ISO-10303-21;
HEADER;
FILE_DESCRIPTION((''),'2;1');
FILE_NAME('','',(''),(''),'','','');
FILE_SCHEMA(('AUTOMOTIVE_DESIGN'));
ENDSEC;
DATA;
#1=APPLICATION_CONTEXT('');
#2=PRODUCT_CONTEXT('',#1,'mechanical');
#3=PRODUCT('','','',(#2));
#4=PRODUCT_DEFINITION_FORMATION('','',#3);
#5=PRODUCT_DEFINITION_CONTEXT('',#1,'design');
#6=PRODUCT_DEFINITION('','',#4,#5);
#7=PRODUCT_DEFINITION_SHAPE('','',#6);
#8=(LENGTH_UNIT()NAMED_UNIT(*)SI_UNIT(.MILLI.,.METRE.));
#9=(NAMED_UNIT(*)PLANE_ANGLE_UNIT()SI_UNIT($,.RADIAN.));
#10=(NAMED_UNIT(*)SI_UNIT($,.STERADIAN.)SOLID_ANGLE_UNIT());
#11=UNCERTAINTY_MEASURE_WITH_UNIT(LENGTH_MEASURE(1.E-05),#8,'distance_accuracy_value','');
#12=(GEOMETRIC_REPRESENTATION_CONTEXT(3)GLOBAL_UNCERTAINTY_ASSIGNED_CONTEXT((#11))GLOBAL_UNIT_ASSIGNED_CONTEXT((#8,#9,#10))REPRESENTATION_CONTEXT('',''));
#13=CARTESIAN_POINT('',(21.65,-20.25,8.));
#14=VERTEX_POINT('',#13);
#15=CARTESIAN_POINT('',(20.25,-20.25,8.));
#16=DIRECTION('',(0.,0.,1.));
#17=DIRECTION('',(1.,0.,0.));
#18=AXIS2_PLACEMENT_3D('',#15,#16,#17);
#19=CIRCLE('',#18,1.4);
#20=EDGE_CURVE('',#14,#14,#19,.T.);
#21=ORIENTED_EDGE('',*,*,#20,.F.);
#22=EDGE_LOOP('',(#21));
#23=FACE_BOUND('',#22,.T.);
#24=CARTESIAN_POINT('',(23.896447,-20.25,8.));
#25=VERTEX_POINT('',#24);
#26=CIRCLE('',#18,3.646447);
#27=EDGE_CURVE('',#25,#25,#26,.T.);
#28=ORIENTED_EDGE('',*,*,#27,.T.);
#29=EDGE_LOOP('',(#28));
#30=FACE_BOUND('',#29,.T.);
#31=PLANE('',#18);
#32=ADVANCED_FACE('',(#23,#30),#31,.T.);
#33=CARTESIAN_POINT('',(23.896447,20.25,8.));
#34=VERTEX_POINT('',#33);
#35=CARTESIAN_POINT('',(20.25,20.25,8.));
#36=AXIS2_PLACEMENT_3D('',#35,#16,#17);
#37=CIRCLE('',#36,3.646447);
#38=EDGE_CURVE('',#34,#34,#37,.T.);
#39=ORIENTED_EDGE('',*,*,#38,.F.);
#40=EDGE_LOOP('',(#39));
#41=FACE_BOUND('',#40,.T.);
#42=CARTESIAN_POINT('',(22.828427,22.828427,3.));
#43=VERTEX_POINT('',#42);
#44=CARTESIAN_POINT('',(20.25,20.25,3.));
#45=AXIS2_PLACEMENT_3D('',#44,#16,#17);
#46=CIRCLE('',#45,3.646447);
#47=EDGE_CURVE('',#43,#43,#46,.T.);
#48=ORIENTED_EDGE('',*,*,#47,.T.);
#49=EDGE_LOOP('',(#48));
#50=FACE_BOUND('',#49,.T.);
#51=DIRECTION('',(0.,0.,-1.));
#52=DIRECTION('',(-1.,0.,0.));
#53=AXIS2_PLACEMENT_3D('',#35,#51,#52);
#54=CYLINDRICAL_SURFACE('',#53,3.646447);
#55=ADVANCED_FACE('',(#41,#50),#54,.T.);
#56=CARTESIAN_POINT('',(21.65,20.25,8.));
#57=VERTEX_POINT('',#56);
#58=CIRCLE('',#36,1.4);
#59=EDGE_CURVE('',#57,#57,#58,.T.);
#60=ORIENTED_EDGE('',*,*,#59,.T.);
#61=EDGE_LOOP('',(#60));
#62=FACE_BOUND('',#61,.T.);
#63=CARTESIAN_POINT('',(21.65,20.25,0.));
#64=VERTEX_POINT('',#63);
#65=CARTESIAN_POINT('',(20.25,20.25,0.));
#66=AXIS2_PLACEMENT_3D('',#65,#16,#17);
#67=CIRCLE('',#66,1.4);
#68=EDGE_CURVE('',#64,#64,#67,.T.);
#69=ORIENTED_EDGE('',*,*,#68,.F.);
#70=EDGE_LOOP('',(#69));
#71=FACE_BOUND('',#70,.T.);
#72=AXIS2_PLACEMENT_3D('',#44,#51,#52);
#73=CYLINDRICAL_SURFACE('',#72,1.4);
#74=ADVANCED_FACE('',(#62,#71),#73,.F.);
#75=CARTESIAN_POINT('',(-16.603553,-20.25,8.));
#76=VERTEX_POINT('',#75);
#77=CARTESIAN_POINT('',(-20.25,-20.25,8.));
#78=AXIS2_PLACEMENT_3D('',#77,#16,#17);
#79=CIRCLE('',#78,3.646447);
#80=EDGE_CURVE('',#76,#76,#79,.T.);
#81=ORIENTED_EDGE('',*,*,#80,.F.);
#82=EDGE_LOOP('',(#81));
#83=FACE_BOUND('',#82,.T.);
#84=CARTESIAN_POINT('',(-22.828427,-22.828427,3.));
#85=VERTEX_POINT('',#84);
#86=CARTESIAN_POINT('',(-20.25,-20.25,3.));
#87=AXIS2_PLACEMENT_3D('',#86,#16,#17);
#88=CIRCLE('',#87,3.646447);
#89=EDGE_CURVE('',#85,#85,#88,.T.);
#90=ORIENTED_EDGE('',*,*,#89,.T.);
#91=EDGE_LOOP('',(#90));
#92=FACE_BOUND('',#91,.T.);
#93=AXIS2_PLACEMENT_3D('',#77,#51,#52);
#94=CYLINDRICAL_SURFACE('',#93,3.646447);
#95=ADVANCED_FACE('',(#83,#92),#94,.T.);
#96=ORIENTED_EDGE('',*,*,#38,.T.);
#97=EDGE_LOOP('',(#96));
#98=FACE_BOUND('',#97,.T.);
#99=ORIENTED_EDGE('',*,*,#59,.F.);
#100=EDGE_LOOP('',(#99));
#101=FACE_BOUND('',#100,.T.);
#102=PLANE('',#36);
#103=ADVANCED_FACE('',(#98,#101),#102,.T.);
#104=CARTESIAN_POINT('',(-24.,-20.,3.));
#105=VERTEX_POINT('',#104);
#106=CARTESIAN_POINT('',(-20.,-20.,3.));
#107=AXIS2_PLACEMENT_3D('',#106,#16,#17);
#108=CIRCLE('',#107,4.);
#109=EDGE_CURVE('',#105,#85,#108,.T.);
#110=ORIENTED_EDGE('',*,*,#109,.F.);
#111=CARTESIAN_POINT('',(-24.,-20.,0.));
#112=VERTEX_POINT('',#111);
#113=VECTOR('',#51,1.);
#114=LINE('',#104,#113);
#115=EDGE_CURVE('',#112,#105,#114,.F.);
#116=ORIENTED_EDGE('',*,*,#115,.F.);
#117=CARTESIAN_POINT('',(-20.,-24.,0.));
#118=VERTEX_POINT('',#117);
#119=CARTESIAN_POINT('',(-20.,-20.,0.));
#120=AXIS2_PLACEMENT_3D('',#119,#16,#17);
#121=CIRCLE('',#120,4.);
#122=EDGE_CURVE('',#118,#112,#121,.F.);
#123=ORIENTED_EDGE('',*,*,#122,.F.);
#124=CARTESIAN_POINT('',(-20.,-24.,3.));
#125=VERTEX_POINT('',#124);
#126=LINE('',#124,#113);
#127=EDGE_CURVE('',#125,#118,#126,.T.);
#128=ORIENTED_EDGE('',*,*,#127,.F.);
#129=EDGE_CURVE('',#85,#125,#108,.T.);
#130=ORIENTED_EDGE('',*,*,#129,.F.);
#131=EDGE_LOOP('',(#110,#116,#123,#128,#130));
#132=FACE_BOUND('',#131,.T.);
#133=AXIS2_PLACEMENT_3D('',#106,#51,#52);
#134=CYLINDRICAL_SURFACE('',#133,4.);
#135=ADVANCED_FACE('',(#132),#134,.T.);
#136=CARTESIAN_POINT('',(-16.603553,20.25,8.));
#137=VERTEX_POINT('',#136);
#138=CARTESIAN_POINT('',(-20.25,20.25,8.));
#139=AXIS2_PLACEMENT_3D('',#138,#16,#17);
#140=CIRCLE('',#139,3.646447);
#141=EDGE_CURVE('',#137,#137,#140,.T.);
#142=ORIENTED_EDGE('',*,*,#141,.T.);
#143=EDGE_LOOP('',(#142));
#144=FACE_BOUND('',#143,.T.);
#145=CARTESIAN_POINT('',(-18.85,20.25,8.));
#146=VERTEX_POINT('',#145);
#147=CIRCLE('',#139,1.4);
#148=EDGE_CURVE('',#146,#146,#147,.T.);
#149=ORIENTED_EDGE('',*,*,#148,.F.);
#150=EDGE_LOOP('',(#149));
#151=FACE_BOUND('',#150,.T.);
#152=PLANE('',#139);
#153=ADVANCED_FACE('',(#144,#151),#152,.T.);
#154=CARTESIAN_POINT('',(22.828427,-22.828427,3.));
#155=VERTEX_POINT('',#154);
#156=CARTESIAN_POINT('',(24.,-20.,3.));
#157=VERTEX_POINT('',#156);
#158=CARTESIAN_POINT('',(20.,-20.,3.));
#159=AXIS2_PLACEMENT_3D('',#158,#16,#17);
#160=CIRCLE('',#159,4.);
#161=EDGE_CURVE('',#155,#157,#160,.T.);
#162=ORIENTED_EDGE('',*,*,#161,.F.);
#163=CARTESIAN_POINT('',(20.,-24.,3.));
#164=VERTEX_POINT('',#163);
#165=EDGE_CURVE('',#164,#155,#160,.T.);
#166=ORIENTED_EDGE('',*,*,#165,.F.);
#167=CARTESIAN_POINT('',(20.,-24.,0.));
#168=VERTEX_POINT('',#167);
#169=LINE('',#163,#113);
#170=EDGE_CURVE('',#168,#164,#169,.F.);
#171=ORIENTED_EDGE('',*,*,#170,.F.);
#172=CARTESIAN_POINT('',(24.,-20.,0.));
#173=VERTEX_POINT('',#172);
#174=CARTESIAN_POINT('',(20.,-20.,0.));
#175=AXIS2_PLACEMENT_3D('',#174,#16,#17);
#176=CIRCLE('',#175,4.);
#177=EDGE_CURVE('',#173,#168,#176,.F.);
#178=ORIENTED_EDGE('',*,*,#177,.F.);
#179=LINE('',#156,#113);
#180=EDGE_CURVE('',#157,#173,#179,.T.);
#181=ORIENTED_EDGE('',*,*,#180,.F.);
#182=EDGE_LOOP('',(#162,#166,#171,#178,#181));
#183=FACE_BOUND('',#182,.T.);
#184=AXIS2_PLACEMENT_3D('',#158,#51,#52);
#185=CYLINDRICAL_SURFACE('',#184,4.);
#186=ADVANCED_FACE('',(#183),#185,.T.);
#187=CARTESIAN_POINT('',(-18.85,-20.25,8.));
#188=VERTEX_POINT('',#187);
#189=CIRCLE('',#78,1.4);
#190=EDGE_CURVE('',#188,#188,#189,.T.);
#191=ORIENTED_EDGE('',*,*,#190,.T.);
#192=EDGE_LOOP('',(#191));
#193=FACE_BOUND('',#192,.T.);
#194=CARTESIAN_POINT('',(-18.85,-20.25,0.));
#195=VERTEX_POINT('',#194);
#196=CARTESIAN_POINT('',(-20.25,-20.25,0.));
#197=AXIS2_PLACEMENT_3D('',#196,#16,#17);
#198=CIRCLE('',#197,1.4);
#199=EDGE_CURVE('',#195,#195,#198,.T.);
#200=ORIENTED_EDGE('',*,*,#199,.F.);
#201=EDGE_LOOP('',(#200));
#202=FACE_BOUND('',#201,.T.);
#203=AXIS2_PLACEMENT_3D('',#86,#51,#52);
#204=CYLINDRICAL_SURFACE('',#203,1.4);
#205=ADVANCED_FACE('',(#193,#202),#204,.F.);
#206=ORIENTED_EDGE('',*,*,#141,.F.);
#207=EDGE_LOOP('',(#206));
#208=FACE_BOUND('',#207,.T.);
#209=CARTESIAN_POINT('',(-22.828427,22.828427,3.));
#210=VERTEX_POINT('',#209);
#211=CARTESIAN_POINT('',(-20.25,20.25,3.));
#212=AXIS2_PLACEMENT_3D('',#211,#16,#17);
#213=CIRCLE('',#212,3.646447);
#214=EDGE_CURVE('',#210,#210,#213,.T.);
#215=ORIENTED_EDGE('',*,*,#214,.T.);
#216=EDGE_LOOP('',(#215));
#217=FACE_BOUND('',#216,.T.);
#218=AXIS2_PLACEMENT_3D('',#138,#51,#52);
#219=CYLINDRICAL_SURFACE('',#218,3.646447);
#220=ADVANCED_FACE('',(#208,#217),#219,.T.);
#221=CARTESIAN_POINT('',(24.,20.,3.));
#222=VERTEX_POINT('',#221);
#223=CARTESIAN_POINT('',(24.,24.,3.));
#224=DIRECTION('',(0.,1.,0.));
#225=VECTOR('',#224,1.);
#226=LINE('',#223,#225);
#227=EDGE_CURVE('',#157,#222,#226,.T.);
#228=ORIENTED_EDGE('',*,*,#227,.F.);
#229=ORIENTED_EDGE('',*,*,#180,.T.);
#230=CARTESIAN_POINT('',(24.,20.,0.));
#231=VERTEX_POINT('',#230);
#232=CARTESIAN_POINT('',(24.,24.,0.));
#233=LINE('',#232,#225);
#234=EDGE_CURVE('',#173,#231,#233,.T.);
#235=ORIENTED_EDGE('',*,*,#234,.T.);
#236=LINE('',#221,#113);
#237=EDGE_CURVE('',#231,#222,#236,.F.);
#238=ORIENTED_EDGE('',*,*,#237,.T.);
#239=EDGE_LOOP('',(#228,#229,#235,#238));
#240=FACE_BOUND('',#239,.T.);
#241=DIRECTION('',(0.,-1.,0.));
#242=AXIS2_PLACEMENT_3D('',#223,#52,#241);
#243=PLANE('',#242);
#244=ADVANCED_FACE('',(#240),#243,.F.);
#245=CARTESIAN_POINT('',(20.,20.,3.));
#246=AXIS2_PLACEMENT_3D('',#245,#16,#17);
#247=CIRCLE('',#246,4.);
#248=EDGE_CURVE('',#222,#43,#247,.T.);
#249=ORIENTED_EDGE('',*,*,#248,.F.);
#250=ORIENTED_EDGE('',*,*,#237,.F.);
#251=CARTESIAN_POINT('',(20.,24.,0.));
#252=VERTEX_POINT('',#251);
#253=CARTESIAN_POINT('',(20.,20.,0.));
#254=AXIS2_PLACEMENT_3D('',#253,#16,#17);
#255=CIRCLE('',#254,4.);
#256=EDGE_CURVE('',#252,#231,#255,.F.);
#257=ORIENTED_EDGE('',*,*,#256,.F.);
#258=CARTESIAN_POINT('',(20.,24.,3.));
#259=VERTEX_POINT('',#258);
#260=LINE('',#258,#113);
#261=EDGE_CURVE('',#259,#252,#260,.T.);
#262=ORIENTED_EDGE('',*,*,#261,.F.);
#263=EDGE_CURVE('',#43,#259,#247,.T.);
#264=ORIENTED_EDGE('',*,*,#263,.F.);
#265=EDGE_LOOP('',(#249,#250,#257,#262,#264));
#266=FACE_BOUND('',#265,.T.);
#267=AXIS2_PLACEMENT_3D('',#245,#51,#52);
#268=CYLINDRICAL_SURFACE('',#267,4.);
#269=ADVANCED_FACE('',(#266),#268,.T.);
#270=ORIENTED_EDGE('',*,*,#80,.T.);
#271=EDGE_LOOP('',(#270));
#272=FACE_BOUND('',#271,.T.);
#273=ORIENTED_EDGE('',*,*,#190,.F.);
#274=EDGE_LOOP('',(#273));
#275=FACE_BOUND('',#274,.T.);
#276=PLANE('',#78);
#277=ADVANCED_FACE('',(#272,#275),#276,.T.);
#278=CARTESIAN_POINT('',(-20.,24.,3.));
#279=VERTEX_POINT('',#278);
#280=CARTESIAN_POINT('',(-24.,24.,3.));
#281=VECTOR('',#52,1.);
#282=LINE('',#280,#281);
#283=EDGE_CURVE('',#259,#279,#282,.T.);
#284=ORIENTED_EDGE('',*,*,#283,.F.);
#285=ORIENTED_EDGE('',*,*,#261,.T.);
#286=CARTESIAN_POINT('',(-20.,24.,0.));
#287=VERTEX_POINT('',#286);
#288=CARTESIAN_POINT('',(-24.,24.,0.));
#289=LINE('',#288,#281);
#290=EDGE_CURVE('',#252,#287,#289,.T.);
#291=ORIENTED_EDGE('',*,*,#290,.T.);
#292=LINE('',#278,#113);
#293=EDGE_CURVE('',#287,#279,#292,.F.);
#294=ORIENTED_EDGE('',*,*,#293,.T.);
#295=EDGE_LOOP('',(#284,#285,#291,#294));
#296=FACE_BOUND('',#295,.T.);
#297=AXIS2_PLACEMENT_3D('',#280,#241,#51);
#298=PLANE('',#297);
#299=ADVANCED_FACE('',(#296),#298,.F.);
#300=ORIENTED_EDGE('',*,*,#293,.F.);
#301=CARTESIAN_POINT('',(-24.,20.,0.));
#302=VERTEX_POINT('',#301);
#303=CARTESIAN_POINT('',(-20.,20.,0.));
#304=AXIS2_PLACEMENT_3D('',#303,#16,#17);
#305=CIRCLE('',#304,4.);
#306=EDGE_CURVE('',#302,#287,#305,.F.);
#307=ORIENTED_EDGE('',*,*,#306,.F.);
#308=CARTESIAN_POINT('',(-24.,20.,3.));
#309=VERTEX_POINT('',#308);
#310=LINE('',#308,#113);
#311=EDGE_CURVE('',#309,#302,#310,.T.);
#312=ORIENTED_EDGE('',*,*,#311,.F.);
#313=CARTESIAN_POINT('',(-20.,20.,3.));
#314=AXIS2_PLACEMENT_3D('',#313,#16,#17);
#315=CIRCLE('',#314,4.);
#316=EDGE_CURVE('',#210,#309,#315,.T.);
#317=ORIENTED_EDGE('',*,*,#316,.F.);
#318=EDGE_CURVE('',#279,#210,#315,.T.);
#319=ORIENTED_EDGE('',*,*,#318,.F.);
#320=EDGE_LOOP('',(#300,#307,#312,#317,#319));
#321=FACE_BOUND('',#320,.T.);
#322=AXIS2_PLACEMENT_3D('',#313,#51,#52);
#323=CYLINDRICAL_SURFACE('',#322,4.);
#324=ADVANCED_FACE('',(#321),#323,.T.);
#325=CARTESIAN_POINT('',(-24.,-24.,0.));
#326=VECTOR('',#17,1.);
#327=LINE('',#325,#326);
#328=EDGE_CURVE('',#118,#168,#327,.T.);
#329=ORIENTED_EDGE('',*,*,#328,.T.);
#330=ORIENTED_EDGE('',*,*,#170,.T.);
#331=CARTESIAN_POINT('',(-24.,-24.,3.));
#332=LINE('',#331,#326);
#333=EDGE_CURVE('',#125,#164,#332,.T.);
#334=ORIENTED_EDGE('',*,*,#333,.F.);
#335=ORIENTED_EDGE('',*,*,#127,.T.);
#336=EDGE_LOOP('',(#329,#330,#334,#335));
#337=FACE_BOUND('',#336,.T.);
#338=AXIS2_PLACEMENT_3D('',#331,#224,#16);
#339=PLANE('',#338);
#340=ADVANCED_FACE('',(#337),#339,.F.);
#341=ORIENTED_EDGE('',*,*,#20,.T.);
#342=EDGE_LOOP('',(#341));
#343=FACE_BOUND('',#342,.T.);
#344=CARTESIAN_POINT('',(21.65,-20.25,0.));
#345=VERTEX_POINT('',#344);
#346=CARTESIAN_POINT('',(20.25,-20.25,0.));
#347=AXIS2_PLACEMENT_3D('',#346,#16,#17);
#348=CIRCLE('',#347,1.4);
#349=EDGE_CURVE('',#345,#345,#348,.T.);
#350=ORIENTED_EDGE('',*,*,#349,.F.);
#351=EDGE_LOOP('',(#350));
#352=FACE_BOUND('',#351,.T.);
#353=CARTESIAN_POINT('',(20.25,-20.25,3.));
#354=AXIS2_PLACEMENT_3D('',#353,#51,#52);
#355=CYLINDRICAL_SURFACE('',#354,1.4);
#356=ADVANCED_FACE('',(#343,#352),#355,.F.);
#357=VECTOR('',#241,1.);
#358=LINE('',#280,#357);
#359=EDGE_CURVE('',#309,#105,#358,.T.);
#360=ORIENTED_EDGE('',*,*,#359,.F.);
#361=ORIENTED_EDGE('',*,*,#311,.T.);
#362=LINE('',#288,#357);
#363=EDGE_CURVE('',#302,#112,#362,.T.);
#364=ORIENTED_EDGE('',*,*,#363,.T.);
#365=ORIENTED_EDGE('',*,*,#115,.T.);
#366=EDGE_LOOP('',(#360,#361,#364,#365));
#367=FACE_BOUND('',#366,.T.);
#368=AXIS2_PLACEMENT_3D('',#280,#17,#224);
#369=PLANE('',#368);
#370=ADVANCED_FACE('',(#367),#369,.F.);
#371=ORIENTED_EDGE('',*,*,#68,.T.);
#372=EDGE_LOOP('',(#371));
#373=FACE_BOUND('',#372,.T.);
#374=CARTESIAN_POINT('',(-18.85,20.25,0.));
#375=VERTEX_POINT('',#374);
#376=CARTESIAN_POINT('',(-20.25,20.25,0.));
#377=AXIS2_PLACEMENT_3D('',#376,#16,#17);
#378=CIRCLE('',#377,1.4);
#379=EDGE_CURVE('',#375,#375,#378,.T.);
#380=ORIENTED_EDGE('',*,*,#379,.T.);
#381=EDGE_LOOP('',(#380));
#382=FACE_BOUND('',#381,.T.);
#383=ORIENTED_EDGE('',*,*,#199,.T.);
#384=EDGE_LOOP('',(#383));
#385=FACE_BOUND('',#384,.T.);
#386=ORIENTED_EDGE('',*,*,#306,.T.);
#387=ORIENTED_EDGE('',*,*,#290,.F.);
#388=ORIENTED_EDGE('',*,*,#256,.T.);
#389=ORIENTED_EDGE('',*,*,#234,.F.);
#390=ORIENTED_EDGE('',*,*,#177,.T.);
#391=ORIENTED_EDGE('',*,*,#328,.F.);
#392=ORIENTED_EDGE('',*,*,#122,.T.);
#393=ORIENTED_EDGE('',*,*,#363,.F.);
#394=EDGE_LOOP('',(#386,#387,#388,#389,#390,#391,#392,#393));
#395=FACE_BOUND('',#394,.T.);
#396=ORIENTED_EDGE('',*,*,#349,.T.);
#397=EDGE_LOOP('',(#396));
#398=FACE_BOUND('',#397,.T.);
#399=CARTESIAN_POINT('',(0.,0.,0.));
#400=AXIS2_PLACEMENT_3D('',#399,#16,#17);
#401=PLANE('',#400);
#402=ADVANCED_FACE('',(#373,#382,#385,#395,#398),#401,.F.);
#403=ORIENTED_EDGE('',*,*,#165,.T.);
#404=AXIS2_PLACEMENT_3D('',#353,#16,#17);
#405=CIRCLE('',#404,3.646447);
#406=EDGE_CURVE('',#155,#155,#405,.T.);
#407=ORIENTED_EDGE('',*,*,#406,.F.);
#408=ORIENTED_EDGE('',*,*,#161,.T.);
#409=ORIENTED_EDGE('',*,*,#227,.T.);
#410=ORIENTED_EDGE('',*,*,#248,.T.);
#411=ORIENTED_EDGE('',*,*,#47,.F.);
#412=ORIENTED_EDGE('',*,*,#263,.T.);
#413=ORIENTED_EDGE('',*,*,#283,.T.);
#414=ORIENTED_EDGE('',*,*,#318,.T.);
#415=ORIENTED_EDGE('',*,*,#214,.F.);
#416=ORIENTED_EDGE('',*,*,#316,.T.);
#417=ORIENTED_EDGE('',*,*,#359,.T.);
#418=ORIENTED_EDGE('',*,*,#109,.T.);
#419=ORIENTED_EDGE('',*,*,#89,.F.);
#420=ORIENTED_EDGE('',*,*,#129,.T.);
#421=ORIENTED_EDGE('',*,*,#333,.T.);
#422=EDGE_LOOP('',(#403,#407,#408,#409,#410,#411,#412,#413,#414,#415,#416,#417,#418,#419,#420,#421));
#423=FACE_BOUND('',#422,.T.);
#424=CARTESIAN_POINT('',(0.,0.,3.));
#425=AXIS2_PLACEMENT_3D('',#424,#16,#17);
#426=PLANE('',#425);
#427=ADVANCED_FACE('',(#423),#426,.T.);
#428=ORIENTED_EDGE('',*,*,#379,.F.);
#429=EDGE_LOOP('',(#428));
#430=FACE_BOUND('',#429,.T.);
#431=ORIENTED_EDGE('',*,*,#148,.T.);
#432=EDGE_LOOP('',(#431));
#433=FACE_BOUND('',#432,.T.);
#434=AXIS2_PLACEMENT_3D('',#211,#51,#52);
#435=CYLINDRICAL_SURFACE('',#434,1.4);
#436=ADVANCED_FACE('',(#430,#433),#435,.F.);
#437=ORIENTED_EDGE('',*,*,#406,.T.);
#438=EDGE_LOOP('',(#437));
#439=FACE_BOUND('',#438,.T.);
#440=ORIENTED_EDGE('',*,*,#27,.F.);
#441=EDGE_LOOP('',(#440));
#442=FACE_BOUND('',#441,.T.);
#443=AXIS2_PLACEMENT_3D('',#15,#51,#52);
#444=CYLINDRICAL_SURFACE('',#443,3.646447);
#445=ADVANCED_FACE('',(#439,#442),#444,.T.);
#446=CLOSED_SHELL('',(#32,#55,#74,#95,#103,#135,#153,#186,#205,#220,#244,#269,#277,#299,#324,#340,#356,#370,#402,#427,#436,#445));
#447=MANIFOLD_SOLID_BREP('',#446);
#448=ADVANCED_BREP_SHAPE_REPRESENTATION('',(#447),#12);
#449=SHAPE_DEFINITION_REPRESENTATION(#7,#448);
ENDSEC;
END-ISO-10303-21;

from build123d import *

# Parameters (mm, degrees)
SKETCH_1_W          = 48
SKETCH_1_H          = 48
SKETCH_1_R          = 1.4
EXTRUDE_1_DEPTH     = 3
FILLET_1_R          = 4
SKETCH_2_R          = 3.646446609
EXTRUDE_2_DEPTH     = 5
SKETCH_3_R          = 1.4
CUT_EXTRUDE_1_DEPTH = 99


with BuildPart() as part:
    # 草图1 → 凸台-拉伸1 (new body)
    with BuildSketch(Plane.XY):
        Rectangle(SKETCH_1_W, SKETCH_1_H)
        with Locations((-20.25, 20.25)):
            Circle(SKETCH_1_R, mode=Mode.SUBTRACT)
        with Locations((20.25, 20.25)):
            Circle(SKETCH_1_R, mode=Mode.SUBTRACT)
        with Locations((20.25, -20.25)):
            Circle(SKETCH_1_R, mode=Mode.SUBTRACT)
        with Locations((-20.25, -20.25)):
            Circle(SKETCH_1_R, mode=Mode.SUBTRACT)
    extrude(amount=EXTRUDE_1_DEPTH)

    # 圆角1
    fillet_1_edges = [part.edges().sort_by_distance(p)[0] for p in [
        (24, -24, 1.5),
        (-24, -24, 1.5),
        (-24, 24, 1.5),
        (24, 24, 1.5),
    ]]
    fillet(fillet_1_edges, radius=FILLET_1_R)

    # 草图2 → 凸台-拉伸2 (add)
    with BuildSketch(Plane.XY.offset(3)):
        with Locations(Location((-20.25, 20.25, 0), (0, 0, 134.998572702))):
            Circle(SKETCH_2_R)
        with Locations(Location((20.25, 20.25, 0), (0, 0, 44.998572702))):
            Circle(SKETCH_2_R)
        with Locations(Location((20.25, -20.25, 0), (0, 0, 314.998572702))):
            Circle(SKETCH_2_R)
        with Locations(Location((-20.25, -20.25, 0), (0, 0, 224.998572702))):
            Circle(SKETCH_2_R)
    extrude(amount=EXTRUDE_2_DEPTH)

    # 草图3 → 切除-拉伸1 (cut)
    with BuildSketch(Plane(origin=(0, 0, 0), x_dir=(-1, 0, 0), z_dir=(0, 0, -1))):
        with Locations(Location((-20.25, 20.25, 0), (0, 0, 180))):
            Circle(SKETCH_3_R)
        with Locations(Location((20.25, 20.25, 0), (0, 0, 180))):
            Circle(SKETCH_3_R)
        with Locations(Location((20.25, -20.25, 0), (0, 0, 180))):
            Circle(SKETCH_3_R)
        with Locations(Location((-20.25, -20.25, 0), (0, 0, 180))):
            Circle(SKETCH_3_R)
    extrude(amount=-CUT_EXTRUDE_1_DEPTH, mode=Mode.SUBTRACT)


solid = part.part
